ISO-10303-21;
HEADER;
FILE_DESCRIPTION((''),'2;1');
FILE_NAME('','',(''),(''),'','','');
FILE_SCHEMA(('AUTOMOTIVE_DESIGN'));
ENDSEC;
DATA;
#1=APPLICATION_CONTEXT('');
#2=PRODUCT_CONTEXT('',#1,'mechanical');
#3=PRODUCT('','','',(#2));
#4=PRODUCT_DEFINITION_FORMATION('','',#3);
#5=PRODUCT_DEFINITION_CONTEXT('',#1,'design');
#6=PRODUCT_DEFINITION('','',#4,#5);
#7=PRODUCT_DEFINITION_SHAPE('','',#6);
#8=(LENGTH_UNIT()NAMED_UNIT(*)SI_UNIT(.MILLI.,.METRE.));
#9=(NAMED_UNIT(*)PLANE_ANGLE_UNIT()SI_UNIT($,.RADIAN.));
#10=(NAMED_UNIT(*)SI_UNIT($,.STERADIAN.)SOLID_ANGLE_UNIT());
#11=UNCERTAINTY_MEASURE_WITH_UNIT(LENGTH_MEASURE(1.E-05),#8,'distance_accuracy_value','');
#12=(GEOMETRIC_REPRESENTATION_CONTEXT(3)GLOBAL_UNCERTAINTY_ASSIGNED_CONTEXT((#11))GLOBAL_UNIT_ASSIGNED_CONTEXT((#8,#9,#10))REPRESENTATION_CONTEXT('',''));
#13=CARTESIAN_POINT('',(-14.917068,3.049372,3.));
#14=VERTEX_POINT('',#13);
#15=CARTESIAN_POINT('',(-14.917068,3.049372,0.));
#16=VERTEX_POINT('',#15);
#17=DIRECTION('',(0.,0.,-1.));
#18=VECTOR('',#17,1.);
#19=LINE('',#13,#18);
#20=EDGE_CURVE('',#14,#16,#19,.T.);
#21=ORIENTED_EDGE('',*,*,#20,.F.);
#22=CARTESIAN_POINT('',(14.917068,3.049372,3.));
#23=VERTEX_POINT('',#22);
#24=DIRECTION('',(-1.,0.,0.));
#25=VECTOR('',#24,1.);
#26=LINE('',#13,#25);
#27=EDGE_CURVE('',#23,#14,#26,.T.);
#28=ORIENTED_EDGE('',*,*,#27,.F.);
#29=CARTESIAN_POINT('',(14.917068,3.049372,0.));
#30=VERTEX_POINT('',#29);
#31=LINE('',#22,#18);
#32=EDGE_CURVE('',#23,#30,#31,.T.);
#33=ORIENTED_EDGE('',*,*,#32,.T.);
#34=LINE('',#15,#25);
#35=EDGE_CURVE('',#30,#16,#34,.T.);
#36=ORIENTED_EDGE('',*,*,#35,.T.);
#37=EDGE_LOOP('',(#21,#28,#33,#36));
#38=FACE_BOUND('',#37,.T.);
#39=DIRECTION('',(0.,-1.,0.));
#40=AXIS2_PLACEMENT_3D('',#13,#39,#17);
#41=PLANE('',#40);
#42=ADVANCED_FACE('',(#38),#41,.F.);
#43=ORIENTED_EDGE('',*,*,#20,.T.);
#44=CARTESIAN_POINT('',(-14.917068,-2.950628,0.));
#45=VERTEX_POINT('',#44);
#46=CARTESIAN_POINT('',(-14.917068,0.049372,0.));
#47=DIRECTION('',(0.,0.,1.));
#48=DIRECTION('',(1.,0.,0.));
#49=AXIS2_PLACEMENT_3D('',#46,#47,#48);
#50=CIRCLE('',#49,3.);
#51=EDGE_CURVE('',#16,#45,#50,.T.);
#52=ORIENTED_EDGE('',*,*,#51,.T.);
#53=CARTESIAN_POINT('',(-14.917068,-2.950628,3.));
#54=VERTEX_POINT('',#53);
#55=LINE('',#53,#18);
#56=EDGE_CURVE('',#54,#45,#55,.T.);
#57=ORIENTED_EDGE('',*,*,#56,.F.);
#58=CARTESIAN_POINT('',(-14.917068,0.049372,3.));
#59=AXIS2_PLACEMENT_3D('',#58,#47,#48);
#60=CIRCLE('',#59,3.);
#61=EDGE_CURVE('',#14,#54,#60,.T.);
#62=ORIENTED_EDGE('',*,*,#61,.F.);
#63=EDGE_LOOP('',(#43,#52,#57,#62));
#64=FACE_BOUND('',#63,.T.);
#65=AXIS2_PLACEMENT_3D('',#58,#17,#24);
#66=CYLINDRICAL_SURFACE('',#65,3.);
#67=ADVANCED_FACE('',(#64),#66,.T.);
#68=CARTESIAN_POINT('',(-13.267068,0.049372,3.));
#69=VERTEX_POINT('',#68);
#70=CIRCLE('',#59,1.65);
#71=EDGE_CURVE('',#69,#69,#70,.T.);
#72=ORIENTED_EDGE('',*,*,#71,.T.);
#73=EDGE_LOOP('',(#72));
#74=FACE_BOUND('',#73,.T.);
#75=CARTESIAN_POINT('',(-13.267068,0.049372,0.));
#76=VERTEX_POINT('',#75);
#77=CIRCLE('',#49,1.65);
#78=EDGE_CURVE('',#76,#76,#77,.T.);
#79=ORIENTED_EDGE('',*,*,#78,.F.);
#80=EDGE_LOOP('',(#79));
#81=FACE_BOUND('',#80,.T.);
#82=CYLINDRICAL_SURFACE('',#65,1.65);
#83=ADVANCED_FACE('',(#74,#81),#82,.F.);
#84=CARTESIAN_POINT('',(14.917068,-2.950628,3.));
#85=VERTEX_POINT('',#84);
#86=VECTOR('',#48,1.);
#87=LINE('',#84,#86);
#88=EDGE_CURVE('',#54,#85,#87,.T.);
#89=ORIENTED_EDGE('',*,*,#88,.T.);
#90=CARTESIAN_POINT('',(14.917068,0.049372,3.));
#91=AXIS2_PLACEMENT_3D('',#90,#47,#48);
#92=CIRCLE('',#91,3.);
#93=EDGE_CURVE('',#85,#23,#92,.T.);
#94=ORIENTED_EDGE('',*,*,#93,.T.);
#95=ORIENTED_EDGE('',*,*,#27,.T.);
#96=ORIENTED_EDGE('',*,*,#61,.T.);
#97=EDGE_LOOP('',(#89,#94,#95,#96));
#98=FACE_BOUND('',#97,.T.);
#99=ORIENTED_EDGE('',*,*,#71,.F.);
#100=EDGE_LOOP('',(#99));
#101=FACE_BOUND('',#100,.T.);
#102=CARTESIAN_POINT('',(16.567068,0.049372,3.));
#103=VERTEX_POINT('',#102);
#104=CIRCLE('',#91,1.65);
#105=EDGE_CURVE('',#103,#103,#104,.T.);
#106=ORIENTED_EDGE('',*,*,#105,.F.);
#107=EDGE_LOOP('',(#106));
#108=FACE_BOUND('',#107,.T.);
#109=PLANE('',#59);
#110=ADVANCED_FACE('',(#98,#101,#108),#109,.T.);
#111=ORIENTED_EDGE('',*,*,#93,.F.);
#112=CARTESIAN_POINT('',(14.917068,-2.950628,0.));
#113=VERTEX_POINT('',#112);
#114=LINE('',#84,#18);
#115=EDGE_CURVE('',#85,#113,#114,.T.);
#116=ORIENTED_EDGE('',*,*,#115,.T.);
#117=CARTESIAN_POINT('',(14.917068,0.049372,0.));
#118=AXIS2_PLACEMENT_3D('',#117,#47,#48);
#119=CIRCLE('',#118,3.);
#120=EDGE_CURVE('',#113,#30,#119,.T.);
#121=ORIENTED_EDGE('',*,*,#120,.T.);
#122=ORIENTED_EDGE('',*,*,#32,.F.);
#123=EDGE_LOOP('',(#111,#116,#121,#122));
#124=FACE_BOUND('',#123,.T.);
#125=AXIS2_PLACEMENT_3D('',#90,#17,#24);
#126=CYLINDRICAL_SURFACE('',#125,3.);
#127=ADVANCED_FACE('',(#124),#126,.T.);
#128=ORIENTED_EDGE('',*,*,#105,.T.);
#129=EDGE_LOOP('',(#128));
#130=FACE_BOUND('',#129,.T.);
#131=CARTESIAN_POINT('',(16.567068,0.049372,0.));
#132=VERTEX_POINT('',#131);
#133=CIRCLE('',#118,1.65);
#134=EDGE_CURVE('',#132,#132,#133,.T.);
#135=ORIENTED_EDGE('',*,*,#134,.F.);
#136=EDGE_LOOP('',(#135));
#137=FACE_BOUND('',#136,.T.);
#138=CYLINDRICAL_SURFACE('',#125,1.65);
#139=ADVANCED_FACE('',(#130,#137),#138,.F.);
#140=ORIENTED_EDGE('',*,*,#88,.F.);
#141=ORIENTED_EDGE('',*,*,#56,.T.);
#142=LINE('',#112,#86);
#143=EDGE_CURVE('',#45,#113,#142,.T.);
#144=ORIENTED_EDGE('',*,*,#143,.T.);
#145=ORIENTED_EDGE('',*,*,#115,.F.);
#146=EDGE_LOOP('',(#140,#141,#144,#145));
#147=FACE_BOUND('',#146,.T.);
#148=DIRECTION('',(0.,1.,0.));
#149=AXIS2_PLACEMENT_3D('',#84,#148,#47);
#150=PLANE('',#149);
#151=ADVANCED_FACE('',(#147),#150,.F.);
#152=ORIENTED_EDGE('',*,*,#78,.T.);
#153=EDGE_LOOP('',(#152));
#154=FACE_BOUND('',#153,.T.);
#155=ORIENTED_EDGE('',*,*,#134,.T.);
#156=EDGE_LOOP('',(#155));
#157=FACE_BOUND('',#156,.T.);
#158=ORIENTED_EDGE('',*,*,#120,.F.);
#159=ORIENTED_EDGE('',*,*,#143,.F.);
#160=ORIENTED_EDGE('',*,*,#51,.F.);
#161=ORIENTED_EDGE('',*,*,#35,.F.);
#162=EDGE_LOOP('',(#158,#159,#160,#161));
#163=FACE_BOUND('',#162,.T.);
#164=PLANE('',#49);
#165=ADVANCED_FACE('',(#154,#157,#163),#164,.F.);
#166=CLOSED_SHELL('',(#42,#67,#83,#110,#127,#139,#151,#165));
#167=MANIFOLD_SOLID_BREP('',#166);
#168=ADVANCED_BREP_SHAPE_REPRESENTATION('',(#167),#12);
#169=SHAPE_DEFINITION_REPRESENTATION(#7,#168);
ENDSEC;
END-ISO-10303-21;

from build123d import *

# Parameters (mm, degrees)
SKETCH1_R           = 1.65
BOSS_EXTRUDE1_DEPTH = 3


with BuildPart() as part:
    # Sketch1 → Boss-Extrude1 (new body)
    with BuildSketch(Plane.XY):
        with BuildLine():
            Line((-14.917068363, 3.049371738), (14.917068363, 3.049371738))
            ThreePointArc((14.917068363, 3.049371738), (17.917068363, 0.049371738), (14.917068363, -2.950628262))
            Line((14.917068363, -2.950628262), (-14.917068363, -2.950628262))
            ThreePointArc((-14.917068363, -2.950628262), (-17.917068363, 0.049371738), (-14.917068363, 3.049371738))
        make_face()
        with Locations((-14.917068363, 0.049371738)):
            Circle(SKETCH1_R, mode=Mode.SUBTRACT)
        with Locations((14.917068363, 0.049371738)):
            Circle(SKETCH1_R, mode=Mode.SUBTRACT)
    extrude(amount=BOSS_EXTRUDE1_DEPTH)


solid = part.part
